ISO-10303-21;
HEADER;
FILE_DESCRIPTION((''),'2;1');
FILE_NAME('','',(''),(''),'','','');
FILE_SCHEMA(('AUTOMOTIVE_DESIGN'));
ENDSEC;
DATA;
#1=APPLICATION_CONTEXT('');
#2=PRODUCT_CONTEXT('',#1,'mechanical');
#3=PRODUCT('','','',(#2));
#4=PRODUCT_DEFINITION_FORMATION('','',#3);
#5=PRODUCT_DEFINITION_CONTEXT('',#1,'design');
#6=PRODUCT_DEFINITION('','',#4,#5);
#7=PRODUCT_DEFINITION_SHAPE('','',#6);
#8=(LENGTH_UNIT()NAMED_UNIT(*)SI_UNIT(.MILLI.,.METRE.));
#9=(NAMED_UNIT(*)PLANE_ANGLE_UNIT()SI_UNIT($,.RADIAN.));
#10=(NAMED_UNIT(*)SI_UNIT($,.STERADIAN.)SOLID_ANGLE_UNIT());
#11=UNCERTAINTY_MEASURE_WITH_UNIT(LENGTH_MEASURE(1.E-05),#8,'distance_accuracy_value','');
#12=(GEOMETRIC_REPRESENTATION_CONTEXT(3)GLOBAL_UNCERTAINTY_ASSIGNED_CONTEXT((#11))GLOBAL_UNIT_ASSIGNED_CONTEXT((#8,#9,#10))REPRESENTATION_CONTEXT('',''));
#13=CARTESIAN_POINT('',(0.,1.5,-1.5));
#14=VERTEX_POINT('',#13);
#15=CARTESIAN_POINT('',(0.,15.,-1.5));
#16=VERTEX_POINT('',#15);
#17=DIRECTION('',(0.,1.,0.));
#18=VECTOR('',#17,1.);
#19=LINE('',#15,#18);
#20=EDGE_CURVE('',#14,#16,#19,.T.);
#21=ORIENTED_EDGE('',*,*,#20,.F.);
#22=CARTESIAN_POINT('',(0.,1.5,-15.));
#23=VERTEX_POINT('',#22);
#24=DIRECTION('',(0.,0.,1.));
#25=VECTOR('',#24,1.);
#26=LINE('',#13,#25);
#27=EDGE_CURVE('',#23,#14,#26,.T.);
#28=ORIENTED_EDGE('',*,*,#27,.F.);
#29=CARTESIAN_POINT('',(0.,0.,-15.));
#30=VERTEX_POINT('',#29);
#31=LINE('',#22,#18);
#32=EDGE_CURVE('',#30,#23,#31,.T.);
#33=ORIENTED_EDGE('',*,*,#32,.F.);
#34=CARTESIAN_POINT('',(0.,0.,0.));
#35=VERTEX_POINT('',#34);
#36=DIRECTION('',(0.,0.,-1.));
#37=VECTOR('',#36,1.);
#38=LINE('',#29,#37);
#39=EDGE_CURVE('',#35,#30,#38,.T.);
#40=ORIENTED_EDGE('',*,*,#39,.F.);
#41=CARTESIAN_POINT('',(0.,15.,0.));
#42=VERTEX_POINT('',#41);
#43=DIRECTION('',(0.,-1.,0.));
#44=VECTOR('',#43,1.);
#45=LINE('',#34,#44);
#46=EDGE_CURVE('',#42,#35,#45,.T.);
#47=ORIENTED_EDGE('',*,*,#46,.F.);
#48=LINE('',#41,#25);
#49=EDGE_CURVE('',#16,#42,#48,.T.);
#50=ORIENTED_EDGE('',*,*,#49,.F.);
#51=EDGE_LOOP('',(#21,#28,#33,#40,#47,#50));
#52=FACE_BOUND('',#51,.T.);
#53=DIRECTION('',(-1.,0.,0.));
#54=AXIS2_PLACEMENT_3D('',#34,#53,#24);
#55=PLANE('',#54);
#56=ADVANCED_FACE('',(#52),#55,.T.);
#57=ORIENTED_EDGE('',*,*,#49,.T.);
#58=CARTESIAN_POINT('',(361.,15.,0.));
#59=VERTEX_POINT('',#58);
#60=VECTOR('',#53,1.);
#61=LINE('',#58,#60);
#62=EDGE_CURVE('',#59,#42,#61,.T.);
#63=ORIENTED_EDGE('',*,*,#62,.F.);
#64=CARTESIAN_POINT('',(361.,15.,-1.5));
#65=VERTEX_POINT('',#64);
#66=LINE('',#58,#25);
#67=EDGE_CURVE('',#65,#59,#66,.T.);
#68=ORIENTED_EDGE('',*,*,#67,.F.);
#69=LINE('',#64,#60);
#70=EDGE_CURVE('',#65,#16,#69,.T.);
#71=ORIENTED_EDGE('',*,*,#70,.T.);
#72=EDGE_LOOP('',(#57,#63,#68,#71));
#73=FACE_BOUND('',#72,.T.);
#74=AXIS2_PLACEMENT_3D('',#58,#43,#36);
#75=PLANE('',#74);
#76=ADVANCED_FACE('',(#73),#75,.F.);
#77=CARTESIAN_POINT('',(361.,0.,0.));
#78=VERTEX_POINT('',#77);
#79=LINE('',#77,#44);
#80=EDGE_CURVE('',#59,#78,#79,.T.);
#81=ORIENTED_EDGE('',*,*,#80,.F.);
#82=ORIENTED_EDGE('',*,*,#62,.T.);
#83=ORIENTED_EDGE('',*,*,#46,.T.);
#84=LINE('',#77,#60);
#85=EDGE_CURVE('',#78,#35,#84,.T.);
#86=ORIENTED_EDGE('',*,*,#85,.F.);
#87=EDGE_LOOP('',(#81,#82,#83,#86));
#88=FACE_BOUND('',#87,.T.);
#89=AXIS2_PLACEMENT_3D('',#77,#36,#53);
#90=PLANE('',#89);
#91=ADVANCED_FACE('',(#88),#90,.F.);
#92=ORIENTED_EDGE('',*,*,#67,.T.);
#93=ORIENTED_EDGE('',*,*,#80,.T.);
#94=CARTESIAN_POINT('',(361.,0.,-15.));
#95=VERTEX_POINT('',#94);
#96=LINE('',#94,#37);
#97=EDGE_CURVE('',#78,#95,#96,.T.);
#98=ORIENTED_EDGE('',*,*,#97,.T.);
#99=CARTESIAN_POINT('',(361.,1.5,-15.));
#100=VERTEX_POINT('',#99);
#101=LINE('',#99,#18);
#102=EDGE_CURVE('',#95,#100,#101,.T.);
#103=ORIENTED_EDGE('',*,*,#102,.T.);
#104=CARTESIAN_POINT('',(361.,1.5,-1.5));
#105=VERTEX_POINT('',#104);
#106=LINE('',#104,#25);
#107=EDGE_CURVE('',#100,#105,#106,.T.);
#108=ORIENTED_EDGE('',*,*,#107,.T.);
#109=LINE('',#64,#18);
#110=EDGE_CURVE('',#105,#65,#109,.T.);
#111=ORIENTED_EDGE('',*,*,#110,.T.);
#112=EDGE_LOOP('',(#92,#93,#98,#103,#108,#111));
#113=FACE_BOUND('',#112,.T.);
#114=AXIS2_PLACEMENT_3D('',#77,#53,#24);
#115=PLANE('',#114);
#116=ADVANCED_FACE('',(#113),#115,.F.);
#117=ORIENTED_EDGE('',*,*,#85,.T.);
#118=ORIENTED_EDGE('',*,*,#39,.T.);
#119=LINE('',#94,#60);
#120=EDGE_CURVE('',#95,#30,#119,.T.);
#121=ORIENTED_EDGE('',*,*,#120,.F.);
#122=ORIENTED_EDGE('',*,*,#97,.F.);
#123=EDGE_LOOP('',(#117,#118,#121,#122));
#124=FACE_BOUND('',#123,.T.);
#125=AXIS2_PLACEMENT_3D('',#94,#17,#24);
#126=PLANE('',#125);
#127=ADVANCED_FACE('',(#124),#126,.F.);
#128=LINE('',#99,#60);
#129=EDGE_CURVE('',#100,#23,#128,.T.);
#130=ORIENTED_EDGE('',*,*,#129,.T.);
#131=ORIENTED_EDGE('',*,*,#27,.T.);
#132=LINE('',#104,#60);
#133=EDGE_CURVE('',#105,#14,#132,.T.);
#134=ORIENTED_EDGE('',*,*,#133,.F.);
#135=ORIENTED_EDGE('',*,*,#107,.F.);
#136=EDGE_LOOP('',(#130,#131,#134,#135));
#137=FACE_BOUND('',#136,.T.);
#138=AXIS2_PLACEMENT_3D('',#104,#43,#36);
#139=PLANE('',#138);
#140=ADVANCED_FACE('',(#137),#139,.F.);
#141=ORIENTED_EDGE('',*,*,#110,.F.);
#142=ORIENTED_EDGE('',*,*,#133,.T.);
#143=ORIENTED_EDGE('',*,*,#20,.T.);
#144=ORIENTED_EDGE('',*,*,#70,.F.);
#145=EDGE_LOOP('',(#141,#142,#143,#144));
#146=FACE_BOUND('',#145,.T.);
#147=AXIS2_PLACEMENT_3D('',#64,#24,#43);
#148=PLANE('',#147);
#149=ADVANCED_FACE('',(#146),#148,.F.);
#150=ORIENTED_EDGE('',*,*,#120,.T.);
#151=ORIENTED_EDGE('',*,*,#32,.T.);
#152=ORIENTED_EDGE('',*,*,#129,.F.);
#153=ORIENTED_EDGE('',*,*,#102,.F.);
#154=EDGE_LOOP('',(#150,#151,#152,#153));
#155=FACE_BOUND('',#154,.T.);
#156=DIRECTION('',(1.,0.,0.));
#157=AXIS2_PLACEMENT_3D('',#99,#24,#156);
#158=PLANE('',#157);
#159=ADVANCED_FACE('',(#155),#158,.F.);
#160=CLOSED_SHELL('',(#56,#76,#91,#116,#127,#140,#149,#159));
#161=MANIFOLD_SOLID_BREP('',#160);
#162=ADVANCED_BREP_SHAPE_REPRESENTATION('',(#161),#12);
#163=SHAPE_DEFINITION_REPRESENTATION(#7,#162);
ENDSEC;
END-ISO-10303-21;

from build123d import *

# Parameters (mm, degrees)
EXTRUDE_1_DEPTH = 361


with BuildPart() as part:
    # Эскиз1 → Бобышка-Вытянуть1 (new body)
    with BuildSketch(Plane(origin=(0, 0, 0), x_dir=(0, 0, -1), z_dir=(1, 0, 0))):
        Polygon((0, 0), (0, 15), (1.5, 15), (1.5, 1.5), (15, 1.5), (15, 0), align=None)
    extrude(amount=EXTRUDE_1_DEPTH)


solid = part.part
